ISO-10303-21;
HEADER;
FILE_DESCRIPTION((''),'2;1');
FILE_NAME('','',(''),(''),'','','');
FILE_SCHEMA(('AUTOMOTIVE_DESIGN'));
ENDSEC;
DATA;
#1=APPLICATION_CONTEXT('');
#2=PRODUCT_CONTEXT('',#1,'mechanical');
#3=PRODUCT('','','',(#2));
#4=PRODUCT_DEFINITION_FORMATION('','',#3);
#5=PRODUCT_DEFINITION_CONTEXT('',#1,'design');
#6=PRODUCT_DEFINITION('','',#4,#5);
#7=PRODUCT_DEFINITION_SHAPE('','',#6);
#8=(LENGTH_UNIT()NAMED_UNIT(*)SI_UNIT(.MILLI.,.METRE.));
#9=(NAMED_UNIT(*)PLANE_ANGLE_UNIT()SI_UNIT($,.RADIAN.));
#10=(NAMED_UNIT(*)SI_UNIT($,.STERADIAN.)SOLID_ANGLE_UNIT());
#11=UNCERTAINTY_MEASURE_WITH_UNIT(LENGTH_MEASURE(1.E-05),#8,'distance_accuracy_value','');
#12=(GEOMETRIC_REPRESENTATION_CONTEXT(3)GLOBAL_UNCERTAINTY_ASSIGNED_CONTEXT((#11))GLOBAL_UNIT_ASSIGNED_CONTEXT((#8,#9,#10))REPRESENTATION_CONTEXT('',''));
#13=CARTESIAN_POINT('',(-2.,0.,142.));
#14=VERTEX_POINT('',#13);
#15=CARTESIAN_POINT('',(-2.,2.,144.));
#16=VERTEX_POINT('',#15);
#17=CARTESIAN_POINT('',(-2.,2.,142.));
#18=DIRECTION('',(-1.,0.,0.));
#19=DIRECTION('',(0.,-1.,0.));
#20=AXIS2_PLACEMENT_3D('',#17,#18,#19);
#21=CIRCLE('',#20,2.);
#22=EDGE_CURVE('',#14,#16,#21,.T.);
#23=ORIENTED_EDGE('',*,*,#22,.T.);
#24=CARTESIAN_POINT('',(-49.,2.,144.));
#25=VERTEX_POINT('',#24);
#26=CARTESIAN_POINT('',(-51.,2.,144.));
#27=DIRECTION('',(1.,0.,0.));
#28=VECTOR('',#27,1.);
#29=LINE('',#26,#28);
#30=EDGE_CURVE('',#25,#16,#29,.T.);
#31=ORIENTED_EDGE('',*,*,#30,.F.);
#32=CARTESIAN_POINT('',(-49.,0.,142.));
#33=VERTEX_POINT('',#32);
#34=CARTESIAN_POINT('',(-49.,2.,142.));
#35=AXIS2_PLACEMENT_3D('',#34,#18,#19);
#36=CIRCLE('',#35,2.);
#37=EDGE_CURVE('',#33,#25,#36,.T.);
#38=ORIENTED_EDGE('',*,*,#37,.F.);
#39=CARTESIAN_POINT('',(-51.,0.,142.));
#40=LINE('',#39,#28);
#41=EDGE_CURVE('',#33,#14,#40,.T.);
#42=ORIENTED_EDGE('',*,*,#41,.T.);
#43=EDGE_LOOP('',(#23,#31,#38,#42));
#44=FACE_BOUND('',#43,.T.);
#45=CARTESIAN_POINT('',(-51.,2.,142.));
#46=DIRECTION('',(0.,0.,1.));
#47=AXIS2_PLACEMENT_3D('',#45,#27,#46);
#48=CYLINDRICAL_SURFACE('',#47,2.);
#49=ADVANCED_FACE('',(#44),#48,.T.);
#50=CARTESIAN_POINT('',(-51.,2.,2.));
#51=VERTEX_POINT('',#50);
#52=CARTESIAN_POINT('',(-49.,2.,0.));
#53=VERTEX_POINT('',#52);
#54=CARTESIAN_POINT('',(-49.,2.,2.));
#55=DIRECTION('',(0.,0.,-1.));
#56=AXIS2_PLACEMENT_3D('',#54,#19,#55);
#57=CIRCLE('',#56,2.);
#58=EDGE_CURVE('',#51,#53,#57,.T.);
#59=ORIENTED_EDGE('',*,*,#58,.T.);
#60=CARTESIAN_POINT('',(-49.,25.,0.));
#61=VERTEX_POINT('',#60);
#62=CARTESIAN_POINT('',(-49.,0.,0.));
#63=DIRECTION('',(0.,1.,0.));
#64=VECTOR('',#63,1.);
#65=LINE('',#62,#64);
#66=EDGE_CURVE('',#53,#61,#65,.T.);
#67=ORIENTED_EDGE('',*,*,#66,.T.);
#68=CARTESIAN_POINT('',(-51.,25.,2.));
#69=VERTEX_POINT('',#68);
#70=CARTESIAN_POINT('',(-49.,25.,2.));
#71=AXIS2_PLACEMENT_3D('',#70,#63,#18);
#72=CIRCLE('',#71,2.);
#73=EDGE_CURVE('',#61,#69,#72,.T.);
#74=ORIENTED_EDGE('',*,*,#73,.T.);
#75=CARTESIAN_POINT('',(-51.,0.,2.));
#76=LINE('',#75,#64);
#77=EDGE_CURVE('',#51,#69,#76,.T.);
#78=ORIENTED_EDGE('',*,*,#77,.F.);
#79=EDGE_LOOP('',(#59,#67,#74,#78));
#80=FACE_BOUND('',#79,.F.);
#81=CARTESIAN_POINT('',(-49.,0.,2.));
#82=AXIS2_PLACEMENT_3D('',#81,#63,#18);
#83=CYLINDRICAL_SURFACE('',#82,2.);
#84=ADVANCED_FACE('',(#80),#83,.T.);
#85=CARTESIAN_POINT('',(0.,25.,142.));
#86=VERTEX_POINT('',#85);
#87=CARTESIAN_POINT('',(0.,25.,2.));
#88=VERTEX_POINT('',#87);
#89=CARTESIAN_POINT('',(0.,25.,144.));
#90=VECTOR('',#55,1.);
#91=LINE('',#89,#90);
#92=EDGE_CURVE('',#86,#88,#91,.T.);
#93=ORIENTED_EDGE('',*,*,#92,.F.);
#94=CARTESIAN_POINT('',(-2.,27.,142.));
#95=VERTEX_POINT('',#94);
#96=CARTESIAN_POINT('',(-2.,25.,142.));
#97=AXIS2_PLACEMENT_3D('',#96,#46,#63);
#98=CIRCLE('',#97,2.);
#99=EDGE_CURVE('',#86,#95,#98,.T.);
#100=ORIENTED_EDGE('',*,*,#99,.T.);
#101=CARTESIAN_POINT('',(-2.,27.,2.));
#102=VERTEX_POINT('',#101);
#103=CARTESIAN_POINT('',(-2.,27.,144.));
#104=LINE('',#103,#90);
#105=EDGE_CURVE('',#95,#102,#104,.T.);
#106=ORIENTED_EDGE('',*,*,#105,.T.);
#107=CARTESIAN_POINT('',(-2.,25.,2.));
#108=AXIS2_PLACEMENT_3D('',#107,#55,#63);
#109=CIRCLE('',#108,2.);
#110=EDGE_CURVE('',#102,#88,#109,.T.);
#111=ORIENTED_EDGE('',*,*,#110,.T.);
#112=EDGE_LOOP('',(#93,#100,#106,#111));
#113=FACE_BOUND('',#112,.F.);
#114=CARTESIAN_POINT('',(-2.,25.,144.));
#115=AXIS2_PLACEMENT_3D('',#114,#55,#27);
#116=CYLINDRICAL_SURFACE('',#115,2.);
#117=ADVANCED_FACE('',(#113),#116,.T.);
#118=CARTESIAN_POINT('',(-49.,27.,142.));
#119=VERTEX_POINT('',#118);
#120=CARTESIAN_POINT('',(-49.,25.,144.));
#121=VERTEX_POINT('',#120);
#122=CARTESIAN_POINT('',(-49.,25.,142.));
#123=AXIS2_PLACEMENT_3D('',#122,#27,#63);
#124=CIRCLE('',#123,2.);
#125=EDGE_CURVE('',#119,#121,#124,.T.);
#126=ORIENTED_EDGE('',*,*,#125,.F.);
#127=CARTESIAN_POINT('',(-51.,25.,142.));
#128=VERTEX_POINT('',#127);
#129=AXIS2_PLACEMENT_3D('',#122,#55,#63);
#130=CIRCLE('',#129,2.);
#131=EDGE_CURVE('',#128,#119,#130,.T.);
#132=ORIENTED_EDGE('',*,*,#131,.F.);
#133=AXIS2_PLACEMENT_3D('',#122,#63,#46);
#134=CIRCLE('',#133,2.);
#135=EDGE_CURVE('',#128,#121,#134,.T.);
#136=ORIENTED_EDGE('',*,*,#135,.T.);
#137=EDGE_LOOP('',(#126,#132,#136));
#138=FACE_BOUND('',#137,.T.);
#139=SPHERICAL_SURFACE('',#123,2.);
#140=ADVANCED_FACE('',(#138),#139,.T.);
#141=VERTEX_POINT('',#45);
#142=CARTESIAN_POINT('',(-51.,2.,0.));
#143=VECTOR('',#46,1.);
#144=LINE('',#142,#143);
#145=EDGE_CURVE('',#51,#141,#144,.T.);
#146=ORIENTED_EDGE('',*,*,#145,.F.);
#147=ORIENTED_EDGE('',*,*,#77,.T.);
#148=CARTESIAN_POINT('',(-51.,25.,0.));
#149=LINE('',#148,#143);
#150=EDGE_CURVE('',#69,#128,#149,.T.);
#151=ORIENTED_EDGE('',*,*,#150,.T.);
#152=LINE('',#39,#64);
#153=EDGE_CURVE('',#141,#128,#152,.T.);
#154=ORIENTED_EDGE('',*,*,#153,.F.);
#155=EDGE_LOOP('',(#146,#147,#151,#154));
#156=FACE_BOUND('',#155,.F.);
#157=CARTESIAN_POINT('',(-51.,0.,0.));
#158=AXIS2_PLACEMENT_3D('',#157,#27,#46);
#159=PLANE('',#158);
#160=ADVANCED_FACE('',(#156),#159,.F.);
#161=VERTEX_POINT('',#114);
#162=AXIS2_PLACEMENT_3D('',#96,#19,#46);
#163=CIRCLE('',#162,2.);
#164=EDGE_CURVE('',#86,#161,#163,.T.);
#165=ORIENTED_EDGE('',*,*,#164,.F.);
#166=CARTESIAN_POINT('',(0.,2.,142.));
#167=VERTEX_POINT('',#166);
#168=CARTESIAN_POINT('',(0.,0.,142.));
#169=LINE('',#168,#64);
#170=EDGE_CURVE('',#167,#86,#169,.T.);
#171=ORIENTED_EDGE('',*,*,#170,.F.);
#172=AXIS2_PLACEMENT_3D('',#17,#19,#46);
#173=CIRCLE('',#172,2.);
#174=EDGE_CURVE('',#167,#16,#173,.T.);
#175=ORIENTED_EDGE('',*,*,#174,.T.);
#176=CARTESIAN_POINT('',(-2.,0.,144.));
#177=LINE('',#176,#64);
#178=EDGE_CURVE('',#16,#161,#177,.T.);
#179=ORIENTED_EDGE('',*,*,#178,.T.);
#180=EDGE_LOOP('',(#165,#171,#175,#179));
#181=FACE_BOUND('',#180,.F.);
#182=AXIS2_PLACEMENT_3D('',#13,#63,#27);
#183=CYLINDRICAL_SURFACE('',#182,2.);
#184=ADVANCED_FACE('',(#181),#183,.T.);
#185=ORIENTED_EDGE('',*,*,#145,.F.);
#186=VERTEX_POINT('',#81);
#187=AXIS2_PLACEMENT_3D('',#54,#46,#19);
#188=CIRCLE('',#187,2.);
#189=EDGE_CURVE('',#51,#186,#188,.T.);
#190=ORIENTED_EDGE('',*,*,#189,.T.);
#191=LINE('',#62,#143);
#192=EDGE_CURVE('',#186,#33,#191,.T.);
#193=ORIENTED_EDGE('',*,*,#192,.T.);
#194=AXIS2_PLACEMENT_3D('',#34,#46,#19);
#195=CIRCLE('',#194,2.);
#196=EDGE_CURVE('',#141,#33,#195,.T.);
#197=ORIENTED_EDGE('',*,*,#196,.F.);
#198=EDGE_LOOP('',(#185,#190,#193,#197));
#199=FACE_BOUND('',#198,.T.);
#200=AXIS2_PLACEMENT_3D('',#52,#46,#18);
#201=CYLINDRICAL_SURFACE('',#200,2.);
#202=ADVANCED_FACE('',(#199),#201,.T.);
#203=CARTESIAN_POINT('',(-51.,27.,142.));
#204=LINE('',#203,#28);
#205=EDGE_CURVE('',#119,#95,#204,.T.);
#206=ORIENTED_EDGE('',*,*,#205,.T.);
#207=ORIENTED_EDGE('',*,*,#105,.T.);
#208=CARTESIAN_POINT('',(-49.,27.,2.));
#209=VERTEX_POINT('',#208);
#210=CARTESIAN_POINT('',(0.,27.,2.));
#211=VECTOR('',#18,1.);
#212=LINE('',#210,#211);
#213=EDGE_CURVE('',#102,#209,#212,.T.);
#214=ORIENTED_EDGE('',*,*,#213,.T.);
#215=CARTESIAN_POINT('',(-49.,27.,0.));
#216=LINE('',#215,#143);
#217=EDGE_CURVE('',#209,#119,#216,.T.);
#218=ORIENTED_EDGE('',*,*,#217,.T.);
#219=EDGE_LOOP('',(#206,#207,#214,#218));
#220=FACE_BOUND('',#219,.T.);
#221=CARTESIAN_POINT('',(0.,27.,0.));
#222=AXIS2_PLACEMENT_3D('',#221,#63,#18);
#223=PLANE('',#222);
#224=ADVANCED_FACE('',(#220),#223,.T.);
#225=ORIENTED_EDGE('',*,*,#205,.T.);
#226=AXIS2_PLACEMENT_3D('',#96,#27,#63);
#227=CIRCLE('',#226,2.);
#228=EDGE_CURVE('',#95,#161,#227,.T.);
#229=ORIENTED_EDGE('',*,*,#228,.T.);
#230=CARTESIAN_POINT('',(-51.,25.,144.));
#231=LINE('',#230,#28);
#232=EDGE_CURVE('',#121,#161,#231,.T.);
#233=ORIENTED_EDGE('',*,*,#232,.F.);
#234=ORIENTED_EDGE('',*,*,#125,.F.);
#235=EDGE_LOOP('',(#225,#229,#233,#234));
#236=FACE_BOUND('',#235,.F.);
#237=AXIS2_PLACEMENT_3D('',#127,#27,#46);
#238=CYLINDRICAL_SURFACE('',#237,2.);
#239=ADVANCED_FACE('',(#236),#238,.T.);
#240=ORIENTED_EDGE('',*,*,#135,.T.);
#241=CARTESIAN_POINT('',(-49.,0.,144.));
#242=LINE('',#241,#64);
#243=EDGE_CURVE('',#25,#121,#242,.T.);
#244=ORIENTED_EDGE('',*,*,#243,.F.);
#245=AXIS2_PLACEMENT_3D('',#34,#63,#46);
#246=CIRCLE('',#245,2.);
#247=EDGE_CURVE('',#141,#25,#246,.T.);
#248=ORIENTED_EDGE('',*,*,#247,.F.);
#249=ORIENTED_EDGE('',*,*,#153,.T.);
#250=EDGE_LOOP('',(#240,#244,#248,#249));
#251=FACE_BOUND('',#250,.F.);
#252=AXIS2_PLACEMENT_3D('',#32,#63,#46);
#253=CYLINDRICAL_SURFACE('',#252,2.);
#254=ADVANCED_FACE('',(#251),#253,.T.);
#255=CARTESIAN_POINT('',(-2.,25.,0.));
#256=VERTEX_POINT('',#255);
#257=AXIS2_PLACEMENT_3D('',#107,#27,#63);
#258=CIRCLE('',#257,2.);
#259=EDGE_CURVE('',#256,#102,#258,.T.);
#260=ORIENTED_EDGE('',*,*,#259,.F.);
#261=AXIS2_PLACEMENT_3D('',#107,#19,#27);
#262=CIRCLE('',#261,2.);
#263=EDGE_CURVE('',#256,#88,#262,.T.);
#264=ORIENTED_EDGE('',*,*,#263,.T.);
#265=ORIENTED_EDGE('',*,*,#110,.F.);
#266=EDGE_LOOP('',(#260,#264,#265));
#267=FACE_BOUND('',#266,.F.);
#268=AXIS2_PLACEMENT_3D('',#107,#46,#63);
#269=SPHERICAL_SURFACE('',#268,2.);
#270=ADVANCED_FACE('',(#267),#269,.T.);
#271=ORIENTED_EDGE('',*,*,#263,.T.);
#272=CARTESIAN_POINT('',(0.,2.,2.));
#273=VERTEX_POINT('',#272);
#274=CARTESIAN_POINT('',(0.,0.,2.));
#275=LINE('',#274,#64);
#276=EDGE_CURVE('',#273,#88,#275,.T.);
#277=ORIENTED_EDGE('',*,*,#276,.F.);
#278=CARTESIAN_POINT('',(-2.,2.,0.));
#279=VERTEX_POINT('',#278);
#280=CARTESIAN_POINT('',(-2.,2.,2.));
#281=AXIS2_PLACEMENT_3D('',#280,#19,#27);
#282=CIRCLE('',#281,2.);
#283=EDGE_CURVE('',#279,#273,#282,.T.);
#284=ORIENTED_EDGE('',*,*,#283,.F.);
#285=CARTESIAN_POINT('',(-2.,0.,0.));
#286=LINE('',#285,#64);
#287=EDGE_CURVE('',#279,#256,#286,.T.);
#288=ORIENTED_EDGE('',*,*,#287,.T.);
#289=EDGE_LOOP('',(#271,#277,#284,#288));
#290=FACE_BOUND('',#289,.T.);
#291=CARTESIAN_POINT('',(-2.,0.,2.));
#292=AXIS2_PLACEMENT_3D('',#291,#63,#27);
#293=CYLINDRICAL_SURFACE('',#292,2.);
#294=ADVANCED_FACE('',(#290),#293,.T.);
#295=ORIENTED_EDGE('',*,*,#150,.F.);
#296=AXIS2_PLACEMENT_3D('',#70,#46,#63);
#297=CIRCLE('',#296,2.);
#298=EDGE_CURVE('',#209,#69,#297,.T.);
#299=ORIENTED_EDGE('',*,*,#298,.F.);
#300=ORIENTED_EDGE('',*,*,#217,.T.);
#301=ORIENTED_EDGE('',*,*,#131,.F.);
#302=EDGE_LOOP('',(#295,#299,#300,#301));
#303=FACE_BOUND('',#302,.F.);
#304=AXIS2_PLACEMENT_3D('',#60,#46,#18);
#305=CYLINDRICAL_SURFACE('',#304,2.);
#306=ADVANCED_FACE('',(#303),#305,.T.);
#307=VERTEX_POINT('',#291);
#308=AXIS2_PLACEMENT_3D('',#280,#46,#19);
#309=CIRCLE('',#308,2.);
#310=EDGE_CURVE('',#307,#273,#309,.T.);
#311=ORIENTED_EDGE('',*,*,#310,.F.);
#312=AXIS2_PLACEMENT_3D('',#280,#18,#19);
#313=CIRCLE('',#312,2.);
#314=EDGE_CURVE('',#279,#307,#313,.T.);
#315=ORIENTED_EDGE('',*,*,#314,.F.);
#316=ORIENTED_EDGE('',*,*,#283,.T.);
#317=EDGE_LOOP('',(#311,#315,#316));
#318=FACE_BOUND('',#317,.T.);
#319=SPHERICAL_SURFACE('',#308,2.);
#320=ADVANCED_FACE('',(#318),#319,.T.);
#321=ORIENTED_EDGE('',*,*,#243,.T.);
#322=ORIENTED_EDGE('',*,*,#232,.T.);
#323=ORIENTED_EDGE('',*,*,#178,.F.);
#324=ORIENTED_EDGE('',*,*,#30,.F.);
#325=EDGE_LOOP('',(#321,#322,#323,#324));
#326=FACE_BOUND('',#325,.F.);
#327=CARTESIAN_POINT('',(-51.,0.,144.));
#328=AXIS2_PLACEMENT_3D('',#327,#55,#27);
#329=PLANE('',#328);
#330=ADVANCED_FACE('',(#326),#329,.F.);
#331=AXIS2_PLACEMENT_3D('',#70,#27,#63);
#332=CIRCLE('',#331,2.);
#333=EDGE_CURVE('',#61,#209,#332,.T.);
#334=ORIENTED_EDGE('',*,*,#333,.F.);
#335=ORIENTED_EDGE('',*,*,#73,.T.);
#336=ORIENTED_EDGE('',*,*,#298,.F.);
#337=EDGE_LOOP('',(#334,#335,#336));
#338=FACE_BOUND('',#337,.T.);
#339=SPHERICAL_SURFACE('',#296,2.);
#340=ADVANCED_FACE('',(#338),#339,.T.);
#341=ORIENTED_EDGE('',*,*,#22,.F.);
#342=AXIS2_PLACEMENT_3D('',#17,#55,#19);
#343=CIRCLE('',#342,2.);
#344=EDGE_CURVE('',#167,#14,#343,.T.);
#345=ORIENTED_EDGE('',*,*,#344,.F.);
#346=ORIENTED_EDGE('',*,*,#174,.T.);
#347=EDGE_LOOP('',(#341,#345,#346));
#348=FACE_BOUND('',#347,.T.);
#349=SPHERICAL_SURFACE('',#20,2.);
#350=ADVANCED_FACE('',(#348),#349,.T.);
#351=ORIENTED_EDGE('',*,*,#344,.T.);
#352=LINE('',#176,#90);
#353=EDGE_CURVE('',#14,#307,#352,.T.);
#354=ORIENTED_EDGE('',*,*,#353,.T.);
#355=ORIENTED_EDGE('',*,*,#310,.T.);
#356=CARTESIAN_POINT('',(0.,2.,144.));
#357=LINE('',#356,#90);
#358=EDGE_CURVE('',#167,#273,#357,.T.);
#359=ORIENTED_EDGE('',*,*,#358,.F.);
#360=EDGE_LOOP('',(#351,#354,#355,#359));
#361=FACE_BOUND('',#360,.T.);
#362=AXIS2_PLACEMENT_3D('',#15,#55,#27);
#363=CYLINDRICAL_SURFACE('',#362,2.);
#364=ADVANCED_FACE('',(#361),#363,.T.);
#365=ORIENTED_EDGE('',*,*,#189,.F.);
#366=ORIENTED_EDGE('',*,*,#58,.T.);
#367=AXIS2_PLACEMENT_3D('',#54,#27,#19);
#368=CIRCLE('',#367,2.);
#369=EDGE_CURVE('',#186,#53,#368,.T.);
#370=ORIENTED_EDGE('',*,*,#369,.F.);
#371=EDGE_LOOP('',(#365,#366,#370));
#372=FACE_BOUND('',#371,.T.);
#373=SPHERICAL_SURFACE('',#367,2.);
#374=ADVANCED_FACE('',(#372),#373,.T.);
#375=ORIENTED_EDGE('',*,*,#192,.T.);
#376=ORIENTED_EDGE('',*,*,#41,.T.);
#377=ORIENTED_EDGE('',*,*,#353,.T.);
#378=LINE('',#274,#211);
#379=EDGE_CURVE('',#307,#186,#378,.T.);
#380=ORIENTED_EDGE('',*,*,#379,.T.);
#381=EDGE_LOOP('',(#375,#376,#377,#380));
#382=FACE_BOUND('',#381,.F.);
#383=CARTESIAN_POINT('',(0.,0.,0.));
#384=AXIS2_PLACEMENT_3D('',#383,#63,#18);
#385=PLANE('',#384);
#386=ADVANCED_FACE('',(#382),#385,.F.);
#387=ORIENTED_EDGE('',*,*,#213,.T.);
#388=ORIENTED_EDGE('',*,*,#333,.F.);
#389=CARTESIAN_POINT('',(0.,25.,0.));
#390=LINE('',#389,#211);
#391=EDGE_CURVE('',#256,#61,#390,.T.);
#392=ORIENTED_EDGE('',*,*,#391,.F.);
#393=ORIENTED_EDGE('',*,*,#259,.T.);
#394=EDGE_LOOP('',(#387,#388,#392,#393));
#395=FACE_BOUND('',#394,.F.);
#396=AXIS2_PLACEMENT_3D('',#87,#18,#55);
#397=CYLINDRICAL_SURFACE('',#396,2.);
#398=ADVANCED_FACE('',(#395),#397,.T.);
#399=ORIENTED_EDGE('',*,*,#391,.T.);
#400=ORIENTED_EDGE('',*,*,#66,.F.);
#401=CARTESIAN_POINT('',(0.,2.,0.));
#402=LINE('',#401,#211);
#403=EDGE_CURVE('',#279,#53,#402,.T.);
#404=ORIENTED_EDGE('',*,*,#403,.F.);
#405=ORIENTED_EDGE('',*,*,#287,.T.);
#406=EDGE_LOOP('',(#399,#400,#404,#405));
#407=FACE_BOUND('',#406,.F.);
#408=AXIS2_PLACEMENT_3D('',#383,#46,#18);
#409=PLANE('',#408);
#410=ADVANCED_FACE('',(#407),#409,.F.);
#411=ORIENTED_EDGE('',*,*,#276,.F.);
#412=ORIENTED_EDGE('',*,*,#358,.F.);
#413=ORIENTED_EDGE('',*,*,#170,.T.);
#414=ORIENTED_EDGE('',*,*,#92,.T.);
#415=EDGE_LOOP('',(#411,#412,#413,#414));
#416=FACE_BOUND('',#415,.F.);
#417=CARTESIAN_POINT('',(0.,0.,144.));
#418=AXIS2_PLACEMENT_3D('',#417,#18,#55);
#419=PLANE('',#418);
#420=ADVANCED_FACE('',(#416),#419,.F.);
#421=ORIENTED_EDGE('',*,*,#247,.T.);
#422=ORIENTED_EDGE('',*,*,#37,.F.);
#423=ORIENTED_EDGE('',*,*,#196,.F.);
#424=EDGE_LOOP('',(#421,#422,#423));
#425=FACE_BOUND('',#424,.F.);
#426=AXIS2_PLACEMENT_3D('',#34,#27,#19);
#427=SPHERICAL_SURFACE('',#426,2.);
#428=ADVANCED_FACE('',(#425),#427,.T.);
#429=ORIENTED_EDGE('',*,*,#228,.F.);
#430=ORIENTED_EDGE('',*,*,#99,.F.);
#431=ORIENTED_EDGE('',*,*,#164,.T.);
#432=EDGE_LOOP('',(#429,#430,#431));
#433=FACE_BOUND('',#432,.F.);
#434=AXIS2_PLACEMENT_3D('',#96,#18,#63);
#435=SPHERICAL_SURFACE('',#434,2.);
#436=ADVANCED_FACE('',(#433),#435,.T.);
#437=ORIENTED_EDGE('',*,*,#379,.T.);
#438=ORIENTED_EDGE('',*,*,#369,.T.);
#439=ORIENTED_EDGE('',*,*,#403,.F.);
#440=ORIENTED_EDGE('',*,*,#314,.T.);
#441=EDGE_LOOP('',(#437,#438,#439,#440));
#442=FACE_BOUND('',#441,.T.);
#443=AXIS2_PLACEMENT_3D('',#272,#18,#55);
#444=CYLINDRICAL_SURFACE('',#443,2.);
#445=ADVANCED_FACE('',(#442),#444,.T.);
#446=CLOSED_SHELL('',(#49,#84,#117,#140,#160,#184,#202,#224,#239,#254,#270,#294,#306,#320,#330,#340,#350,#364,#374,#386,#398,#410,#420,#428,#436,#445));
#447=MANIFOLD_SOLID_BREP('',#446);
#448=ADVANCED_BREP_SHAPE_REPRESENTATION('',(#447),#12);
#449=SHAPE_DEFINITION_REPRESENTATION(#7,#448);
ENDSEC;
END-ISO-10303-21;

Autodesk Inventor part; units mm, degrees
ref_plane "YZ Plane" through (0, 0, 0) normal (1, 0, 0) x (0, 1, 0)
ref_plane "XZ Plane" through (0, 0, 0) normal (0, 1, 0) x (-1, 0, 0)
ref_plane "XY Plane" through (0, 0, 0) normal (0, 0, 1) x (1, 0, 0)
sketch "Sketch1" plane through (0, 0, 0) normal (0, 1, 0) x (-1, 0, 0)
  line L0 (0, 0) -> (51, 0)
  line L1 (51, 0) -> (51, 144)
  line L2 (51, 144) -> (0, 144)
  line L3 (0, 144) -> (0, 0)
  dimension "d0" = 51
  dimension "d1" = 144
extrude "Extrusion1" add sketch "Sketch1" along normal blind 27
fillet "Fillet1" radius 2 12 edges at (-25.5, 27, 144) (0, 27, 72) (-51, 27, 72) (-25.5, 27, 0) (-25.5, 0, 144) (0, 0, 72) (-25.5, 0, 0) (-51, 0, 72) (0, 13.5, 0) (0, 13.5, 144) (-51, 13.5, 144) (-51, 13.5, 0)
properties part number "battery_model"
